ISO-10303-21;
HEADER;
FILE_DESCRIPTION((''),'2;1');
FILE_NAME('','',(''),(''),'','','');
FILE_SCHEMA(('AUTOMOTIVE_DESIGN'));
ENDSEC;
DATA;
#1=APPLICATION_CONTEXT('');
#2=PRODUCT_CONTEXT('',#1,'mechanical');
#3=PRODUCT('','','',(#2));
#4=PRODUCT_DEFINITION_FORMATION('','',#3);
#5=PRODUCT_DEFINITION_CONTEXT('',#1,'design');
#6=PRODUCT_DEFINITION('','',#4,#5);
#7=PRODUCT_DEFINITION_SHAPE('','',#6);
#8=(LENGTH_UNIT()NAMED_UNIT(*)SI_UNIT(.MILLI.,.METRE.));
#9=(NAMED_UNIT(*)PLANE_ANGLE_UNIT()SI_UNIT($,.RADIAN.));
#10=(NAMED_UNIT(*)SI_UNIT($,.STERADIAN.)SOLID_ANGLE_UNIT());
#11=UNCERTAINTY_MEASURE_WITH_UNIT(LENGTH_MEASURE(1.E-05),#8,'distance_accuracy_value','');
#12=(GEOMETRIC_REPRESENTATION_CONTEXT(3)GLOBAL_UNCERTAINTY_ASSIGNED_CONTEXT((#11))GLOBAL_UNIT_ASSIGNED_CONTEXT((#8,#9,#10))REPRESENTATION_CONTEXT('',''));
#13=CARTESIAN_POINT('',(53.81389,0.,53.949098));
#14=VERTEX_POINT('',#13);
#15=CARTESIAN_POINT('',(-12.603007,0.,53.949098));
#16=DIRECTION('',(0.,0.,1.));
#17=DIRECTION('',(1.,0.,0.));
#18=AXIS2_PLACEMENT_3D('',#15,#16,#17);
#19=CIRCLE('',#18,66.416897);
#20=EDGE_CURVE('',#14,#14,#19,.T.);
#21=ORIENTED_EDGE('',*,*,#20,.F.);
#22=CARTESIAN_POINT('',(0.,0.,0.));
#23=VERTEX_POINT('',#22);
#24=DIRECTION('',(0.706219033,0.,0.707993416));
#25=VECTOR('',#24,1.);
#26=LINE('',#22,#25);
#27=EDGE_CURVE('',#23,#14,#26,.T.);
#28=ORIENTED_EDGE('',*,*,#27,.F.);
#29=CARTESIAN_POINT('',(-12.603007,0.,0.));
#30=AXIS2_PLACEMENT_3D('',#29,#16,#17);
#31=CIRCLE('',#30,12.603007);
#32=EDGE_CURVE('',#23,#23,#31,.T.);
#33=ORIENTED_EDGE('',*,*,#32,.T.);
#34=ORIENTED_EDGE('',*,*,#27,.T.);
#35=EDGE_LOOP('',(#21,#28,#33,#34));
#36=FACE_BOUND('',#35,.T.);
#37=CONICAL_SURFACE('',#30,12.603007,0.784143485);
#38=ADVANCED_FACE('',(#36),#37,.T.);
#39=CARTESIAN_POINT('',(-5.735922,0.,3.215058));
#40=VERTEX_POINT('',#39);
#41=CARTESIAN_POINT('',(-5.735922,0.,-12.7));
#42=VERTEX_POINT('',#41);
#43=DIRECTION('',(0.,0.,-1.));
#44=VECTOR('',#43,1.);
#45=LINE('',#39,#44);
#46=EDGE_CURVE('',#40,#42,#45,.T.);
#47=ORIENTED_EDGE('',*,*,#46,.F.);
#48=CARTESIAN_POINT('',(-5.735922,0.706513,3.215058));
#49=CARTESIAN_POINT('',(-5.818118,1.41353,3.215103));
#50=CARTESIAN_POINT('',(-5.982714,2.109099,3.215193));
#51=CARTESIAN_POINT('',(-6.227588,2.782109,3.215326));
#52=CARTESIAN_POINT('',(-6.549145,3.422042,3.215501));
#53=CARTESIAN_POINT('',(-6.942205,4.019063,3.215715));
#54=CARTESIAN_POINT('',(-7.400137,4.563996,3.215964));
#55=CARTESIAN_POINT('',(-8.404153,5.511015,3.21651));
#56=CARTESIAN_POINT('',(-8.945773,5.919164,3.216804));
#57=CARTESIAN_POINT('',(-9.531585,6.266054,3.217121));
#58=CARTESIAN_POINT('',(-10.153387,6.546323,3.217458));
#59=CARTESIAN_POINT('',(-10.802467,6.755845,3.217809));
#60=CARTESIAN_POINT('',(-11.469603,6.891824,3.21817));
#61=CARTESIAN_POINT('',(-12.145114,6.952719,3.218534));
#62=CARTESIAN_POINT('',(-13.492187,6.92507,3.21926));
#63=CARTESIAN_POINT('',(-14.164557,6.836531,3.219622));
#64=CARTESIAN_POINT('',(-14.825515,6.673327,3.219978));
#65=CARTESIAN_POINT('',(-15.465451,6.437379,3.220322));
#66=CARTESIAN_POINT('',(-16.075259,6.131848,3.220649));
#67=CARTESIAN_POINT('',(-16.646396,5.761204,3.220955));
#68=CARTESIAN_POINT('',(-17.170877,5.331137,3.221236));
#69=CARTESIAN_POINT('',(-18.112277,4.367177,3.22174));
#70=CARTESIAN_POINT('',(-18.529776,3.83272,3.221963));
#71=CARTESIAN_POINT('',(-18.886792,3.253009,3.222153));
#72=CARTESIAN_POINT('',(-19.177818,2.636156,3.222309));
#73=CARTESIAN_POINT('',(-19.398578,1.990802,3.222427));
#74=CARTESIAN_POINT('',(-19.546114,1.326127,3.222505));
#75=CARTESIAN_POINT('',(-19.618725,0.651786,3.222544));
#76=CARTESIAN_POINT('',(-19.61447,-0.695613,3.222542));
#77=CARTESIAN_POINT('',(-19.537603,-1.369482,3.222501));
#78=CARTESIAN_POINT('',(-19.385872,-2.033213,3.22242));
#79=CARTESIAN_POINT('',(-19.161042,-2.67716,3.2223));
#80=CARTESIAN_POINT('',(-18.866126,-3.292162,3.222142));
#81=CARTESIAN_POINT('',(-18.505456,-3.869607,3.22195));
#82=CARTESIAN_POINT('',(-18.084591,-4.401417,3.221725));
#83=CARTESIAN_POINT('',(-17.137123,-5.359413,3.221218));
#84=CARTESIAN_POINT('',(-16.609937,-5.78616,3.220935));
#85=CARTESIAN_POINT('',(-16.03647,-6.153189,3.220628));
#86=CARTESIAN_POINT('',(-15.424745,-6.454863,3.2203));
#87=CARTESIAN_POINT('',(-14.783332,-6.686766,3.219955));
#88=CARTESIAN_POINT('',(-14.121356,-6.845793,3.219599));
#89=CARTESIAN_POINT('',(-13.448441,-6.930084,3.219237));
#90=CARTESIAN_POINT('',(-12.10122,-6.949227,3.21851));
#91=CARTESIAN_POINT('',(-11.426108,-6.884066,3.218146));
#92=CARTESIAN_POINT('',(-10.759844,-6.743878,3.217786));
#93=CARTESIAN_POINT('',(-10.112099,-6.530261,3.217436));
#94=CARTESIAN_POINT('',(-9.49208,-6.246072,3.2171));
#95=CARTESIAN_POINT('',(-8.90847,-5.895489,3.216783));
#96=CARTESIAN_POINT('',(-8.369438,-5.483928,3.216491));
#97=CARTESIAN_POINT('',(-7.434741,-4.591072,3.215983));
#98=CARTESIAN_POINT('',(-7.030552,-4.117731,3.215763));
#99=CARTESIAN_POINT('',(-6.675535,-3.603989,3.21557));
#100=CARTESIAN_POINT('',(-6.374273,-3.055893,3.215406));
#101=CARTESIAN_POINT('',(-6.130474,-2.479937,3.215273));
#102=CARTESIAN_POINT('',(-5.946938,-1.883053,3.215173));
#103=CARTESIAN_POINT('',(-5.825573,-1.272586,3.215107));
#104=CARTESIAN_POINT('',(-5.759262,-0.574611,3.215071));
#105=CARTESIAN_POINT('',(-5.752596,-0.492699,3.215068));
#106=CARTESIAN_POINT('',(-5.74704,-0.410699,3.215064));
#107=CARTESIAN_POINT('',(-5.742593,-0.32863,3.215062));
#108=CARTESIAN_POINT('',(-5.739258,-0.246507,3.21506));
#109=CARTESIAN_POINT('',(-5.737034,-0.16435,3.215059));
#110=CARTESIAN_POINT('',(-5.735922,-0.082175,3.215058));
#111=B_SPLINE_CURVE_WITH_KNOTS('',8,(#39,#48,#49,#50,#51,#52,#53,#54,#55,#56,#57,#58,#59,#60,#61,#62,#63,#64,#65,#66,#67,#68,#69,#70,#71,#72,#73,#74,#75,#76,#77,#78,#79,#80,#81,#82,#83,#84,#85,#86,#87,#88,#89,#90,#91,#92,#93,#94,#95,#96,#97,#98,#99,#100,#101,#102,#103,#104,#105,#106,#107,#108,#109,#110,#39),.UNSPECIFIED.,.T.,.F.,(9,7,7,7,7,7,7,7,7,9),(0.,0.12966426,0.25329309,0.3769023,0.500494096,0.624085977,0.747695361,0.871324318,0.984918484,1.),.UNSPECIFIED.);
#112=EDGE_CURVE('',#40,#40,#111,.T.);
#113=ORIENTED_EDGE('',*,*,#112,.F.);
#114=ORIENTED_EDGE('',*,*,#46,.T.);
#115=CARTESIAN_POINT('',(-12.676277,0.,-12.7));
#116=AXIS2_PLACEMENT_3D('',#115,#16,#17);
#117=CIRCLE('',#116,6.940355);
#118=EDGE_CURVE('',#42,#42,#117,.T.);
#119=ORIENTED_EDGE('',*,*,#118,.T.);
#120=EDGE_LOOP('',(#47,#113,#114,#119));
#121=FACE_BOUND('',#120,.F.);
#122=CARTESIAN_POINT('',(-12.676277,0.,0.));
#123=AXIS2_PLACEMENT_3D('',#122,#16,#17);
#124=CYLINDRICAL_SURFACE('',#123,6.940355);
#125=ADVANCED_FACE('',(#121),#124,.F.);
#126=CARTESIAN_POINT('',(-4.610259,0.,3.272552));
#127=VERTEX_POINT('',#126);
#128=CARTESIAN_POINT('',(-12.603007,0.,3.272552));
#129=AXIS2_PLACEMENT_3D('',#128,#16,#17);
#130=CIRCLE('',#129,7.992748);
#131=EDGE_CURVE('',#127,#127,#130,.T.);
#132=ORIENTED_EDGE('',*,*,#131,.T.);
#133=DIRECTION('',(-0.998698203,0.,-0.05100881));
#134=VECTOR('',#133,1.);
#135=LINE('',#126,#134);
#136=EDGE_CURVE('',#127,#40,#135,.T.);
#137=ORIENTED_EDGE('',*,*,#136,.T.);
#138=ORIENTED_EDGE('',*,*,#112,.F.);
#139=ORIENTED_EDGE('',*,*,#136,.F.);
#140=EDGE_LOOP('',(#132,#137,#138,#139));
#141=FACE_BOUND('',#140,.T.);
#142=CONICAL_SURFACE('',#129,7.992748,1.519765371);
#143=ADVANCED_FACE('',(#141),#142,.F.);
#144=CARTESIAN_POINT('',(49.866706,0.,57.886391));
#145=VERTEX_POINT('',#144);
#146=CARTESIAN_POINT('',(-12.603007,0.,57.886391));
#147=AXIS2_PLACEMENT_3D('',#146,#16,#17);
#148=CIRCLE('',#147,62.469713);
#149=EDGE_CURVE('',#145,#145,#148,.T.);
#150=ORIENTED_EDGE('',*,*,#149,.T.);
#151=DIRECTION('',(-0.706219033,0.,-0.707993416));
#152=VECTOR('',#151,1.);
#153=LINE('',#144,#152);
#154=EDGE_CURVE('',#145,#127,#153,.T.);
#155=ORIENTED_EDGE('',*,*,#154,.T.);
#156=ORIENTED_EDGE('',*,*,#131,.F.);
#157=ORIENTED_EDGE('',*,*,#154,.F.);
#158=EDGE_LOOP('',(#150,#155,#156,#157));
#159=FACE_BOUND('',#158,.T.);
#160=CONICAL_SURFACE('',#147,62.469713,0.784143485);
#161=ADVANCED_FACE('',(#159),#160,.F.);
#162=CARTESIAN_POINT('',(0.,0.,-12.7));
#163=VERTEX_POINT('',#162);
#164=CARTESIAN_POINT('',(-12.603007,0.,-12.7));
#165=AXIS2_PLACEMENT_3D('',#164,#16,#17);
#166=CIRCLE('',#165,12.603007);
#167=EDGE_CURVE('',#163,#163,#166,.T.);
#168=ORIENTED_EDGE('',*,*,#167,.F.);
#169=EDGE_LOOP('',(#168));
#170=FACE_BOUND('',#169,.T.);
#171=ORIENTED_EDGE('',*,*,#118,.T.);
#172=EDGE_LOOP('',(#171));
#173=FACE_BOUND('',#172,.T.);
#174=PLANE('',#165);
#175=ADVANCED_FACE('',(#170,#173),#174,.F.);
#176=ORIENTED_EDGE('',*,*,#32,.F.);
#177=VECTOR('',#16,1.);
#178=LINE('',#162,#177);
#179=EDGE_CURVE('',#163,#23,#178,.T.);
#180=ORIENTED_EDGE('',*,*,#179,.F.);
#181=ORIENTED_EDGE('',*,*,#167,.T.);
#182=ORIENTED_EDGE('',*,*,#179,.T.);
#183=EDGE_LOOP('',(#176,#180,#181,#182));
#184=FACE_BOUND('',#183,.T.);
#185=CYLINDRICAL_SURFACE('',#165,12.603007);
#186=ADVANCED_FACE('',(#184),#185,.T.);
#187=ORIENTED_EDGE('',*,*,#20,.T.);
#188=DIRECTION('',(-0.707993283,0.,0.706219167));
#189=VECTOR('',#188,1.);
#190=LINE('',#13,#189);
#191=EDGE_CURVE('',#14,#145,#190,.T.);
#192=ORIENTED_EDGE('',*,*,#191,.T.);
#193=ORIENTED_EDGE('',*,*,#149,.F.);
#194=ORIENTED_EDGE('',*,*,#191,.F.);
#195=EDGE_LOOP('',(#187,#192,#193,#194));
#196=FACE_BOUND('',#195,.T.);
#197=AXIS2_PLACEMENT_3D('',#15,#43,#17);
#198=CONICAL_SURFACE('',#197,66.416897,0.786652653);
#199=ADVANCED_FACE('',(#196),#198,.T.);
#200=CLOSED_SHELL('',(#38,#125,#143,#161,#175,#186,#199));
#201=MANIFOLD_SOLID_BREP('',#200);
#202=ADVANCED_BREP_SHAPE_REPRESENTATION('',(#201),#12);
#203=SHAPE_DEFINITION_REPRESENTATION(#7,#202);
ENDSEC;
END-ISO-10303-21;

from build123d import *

# Parameters (mm, degrees)
F2_R     = 6.940355
F3_DEPTH = 279.4
F4_DEPTH = 25.4


with BuildPart() as f1:
    # F0 (on Front) → F1 (revolve)
    with BuildSketch(Plane.XZ):
        Polygon((0, -12.7), (0, 0), (53.81389, 53.949098), (49.866706, 57.886391), (-4.610259, 3.272552), (-12.603007, 2.86432), (-12.603007, -12.7), align=None)
    revolve(axis=Axis((-12.603007, 0, -4.91784), (0, 0, 1)))

    # F2 (on Top) → F3 (cut)
    with BuildSketch(Plane.XY):
        with Locations((-12.676277, 0)):
            Circle(F2_R)
    extrude(amount=-F3_DEPTH, mode=Mode.SUBTRACT)

    # F2 (on Top) → F4 (cut)
    with BuildSketch(Plane.XY):
        with Locations((-12.676277, 0)):
            Circle(F2_R)
    extrude(amount=F4_DEPTH, mode=Mode.SUBTRACT)


solid = f1.part
